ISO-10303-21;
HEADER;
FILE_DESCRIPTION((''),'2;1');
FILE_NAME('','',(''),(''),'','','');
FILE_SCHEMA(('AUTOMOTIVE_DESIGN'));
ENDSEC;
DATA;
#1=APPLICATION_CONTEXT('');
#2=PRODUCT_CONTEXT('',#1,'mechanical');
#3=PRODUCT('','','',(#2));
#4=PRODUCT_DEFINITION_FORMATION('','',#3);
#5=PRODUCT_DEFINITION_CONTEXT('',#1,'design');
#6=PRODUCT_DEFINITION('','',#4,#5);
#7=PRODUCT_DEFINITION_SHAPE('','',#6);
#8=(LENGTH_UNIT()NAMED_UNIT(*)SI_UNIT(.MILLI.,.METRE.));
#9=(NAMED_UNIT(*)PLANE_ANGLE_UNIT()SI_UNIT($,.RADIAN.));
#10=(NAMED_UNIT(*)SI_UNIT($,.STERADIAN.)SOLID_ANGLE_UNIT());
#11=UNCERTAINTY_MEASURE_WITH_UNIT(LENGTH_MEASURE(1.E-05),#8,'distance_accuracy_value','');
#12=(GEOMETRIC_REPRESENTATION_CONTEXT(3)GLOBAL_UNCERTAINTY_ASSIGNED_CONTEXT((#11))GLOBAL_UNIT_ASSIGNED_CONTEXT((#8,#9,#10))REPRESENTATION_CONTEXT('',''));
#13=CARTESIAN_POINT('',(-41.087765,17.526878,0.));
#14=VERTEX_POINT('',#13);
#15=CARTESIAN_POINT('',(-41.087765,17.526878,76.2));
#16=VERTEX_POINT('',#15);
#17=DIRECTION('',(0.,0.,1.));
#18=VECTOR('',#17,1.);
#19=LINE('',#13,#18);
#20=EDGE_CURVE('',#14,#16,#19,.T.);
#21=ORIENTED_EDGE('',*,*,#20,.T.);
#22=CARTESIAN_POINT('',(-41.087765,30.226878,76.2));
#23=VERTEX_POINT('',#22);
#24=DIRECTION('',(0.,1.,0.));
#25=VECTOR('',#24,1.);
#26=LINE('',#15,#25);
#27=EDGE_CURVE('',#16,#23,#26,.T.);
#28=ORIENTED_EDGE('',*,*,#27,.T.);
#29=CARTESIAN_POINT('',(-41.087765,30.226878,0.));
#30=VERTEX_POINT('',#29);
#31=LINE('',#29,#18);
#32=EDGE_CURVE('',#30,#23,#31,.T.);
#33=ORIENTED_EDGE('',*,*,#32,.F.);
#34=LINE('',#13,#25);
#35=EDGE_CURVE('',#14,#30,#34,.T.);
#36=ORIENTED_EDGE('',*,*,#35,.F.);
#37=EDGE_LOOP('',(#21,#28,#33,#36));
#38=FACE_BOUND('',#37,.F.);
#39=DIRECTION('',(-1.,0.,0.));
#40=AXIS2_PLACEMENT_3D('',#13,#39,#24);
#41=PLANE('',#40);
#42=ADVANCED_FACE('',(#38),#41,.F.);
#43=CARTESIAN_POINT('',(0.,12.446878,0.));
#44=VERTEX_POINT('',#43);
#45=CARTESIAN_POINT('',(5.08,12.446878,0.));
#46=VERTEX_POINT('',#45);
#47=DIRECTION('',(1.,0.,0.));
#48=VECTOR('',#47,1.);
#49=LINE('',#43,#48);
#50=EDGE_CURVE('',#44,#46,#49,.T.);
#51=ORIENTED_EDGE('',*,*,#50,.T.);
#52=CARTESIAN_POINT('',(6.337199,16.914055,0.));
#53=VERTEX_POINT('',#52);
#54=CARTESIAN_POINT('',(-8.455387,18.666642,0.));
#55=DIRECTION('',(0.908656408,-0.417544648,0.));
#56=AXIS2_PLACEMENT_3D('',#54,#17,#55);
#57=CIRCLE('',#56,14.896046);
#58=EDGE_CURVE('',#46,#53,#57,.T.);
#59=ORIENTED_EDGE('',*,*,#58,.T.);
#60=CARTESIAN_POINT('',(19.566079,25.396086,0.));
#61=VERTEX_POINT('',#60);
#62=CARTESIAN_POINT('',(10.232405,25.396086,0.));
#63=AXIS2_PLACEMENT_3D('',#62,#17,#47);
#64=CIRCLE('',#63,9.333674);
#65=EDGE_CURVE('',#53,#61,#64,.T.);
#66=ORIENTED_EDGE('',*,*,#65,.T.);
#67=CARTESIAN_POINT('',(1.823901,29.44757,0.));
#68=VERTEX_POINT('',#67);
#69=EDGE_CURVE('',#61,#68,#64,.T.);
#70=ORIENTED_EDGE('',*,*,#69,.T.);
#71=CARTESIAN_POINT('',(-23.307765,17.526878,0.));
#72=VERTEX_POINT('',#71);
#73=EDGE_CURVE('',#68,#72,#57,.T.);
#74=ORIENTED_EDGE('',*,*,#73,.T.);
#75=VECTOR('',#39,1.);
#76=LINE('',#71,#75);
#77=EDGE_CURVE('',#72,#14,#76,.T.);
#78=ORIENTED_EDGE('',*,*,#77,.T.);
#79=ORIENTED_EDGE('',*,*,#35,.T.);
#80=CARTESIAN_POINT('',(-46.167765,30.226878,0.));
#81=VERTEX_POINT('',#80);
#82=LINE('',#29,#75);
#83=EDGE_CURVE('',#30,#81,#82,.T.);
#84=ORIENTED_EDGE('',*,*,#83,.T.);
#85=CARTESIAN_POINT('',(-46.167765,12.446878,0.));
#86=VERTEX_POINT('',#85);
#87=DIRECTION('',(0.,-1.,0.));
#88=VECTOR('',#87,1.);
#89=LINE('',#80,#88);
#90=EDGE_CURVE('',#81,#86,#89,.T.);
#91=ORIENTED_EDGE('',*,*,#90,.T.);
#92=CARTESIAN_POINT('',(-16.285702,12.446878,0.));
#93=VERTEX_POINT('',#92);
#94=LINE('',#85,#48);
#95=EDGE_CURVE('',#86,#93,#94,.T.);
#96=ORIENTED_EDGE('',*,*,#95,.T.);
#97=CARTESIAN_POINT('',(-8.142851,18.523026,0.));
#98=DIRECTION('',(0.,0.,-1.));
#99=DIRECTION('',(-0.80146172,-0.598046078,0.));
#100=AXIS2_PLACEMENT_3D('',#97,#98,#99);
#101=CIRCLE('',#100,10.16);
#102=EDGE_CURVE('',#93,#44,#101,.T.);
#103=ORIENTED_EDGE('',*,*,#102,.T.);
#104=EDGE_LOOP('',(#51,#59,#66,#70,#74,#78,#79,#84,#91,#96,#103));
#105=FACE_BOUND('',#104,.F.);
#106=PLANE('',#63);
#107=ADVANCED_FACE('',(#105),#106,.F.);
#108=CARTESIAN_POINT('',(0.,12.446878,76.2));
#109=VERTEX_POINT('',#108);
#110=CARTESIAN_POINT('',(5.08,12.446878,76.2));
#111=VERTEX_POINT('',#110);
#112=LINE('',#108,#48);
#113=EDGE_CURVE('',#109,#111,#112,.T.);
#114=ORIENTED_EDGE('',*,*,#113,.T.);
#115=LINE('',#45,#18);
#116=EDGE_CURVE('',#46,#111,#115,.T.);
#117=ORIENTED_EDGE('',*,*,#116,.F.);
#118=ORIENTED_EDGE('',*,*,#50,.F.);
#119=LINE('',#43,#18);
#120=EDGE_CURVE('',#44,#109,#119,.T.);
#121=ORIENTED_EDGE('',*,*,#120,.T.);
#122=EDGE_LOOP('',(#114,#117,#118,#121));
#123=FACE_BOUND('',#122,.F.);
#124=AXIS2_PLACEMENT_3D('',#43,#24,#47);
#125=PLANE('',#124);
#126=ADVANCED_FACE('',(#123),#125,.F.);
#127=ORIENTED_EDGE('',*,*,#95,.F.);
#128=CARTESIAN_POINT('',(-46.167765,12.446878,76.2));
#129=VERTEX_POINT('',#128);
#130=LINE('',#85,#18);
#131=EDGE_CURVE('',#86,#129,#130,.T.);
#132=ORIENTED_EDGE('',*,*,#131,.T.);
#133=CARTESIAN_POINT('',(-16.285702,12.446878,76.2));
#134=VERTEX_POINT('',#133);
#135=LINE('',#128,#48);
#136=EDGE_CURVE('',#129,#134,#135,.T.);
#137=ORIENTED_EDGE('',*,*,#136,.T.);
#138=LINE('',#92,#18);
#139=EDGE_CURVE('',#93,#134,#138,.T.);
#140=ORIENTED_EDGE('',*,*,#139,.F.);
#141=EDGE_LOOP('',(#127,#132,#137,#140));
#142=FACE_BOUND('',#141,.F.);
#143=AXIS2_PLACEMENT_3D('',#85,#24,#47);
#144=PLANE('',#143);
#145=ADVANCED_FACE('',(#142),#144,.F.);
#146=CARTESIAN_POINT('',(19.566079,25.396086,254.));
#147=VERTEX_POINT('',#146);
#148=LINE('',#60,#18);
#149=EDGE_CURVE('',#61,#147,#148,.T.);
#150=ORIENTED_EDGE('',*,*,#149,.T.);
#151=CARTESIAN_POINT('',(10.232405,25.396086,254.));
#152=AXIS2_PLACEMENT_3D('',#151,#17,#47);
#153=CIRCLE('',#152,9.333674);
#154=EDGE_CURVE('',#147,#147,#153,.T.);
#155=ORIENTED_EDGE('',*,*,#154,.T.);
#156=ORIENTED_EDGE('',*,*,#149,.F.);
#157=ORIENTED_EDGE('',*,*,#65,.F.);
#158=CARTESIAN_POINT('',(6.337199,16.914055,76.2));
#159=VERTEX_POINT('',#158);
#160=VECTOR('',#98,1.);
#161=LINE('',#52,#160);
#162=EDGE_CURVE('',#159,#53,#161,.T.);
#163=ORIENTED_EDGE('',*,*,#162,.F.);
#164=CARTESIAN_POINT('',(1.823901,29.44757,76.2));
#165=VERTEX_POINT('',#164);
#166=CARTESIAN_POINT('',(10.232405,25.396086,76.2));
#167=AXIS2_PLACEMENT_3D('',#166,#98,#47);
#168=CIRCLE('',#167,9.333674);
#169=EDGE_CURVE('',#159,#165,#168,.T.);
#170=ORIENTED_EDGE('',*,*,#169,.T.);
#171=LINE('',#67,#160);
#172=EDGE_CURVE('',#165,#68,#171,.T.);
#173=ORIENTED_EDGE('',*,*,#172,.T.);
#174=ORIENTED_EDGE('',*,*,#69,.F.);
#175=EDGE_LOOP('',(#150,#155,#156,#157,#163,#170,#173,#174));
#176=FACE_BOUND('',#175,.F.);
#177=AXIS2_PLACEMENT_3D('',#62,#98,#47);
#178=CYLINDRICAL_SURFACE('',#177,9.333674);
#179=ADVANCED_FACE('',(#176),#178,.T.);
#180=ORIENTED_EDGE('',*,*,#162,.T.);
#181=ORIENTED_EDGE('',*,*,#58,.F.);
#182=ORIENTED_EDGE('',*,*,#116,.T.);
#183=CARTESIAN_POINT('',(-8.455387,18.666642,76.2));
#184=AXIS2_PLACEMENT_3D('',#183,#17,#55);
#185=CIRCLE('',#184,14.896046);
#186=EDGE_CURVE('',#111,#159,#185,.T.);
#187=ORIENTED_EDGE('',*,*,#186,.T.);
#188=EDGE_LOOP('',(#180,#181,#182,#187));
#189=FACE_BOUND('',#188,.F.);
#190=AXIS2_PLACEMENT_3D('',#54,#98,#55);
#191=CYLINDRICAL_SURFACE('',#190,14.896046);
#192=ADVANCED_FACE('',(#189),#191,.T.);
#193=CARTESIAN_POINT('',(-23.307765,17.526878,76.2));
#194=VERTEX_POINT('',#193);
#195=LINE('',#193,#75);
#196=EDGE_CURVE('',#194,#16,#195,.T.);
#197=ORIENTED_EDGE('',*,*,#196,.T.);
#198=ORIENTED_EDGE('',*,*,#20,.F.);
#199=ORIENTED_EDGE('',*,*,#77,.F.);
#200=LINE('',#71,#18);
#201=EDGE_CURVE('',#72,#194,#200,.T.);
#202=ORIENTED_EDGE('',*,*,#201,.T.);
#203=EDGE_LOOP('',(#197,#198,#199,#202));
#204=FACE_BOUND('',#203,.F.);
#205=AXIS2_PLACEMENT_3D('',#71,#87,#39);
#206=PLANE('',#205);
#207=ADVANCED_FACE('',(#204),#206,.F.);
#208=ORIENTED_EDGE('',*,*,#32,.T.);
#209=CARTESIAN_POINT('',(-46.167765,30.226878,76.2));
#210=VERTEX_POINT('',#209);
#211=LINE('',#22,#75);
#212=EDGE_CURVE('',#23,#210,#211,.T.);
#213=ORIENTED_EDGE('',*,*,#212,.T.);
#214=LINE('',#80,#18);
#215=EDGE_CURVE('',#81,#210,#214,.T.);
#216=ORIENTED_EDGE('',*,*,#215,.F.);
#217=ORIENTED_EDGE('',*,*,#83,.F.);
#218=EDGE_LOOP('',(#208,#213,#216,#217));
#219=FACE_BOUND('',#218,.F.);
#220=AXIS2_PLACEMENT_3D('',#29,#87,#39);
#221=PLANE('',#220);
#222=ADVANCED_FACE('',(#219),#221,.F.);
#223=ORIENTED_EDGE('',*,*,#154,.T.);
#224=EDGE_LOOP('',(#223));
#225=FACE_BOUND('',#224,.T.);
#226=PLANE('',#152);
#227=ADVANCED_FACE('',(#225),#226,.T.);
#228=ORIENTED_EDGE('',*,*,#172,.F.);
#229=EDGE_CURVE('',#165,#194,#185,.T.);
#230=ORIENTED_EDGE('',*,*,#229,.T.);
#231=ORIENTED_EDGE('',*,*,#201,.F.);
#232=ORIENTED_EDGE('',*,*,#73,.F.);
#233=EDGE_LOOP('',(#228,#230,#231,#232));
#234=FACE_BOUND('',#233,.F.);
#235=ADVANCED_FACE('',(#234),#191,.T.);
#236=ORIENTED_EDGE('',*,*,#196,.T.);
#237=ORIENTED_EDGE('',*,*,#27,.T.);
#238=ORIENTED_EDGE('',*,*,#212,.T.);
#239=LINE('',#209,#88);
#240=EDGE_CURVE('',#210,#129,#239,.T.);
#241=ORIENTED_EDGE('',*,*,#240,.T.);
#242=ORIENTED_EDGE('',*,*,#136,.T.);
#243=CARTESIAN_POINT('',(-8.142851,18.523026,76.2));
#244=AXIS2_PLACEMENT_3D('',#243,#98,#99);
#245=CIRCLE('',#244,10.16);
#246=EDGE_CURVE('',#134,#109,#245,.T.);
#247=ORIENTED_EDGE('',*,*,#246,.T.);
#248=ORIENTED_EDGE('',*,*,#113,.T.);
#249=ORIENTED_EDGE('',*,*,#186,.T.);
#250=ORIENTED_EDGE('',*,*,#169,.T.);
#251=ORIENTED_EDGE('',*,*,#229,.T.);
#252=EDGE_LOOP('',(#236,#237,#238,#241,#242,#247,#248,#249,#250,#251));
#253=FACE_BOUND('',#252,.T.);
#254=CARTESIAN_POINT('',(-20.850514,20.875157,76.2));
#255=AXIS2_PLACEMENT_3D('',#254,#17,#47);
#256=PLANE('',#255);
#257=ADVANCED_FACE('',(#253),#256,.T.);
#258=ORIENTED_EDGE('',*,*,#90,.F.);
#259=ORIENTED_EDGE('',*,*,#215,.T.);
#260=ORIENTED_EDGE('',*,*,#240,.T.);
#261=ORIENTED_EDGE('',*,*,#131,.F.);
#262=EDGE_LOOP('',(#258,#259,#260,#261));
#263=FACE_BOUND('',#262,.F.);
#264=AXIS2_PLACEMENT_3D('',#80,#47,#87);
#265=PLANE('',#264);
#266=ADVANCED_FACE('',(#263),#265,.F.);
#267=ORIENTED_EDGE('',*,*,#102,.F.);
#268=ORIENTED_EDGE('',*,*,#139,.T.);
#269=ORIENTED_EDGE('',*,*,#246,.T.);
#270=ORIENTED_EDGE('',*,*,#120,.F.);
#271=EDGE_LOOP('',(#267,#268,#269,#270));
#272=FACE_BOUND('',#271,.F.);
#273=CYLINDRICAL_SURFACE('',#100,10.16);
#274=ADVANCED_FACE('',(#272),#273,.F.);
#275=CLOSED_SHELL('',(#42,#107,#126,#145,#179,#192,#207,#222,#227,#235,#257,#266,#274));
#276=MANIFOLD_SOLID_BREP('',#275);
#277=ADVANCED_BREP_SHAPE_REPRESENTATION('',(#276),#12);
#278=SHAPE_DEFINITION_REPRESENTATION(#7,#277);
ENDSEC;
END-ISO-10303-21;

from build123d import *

# Parameters (mm, degrees)
F1_DEPTH = 76.2
F2_R     = 9.333674
F3_DEPTH = 254


with BuildPart() as f1:
    # F0 (on Top) → F1 (new body)
    with BuildSketch(Plane.XY):
        with BuildLine():
            Line((-41.087765, 30.226878), (-46.167765, 30.226878))
            Line((-46.167765, 30.226878), (-46.167765, 12.446878))
            Line((-46.167765, 12.446878), (-16.285702, 12.446878))
            ThreePointArc((-16.285702, 12.446878), (-8.142851, 28.683026), (0, 12.446878))
            Line((0, 12.446878), (5.08, 12.446878))
            ThreePointArc((5.08, 12.446878), (-5.831418, 33.329758), (-23.307765, 17.526878))
            Line((-23.307765, 17.526878), (-41.087765, 17.526878))
            Line((-41.087765, 17.526878), (-41.087765, 30.226878))
        make_face()
    extrude(amount=F1_DEPTH)

    # F2 (on Top) → F3 (join)
    with BuildSketch(Plane.XY):
        with Locations((10.232405, 25.396086)):
            Circle(F2_R)
    extrude(amount=F3_DEPTH)


solid = f1.part
